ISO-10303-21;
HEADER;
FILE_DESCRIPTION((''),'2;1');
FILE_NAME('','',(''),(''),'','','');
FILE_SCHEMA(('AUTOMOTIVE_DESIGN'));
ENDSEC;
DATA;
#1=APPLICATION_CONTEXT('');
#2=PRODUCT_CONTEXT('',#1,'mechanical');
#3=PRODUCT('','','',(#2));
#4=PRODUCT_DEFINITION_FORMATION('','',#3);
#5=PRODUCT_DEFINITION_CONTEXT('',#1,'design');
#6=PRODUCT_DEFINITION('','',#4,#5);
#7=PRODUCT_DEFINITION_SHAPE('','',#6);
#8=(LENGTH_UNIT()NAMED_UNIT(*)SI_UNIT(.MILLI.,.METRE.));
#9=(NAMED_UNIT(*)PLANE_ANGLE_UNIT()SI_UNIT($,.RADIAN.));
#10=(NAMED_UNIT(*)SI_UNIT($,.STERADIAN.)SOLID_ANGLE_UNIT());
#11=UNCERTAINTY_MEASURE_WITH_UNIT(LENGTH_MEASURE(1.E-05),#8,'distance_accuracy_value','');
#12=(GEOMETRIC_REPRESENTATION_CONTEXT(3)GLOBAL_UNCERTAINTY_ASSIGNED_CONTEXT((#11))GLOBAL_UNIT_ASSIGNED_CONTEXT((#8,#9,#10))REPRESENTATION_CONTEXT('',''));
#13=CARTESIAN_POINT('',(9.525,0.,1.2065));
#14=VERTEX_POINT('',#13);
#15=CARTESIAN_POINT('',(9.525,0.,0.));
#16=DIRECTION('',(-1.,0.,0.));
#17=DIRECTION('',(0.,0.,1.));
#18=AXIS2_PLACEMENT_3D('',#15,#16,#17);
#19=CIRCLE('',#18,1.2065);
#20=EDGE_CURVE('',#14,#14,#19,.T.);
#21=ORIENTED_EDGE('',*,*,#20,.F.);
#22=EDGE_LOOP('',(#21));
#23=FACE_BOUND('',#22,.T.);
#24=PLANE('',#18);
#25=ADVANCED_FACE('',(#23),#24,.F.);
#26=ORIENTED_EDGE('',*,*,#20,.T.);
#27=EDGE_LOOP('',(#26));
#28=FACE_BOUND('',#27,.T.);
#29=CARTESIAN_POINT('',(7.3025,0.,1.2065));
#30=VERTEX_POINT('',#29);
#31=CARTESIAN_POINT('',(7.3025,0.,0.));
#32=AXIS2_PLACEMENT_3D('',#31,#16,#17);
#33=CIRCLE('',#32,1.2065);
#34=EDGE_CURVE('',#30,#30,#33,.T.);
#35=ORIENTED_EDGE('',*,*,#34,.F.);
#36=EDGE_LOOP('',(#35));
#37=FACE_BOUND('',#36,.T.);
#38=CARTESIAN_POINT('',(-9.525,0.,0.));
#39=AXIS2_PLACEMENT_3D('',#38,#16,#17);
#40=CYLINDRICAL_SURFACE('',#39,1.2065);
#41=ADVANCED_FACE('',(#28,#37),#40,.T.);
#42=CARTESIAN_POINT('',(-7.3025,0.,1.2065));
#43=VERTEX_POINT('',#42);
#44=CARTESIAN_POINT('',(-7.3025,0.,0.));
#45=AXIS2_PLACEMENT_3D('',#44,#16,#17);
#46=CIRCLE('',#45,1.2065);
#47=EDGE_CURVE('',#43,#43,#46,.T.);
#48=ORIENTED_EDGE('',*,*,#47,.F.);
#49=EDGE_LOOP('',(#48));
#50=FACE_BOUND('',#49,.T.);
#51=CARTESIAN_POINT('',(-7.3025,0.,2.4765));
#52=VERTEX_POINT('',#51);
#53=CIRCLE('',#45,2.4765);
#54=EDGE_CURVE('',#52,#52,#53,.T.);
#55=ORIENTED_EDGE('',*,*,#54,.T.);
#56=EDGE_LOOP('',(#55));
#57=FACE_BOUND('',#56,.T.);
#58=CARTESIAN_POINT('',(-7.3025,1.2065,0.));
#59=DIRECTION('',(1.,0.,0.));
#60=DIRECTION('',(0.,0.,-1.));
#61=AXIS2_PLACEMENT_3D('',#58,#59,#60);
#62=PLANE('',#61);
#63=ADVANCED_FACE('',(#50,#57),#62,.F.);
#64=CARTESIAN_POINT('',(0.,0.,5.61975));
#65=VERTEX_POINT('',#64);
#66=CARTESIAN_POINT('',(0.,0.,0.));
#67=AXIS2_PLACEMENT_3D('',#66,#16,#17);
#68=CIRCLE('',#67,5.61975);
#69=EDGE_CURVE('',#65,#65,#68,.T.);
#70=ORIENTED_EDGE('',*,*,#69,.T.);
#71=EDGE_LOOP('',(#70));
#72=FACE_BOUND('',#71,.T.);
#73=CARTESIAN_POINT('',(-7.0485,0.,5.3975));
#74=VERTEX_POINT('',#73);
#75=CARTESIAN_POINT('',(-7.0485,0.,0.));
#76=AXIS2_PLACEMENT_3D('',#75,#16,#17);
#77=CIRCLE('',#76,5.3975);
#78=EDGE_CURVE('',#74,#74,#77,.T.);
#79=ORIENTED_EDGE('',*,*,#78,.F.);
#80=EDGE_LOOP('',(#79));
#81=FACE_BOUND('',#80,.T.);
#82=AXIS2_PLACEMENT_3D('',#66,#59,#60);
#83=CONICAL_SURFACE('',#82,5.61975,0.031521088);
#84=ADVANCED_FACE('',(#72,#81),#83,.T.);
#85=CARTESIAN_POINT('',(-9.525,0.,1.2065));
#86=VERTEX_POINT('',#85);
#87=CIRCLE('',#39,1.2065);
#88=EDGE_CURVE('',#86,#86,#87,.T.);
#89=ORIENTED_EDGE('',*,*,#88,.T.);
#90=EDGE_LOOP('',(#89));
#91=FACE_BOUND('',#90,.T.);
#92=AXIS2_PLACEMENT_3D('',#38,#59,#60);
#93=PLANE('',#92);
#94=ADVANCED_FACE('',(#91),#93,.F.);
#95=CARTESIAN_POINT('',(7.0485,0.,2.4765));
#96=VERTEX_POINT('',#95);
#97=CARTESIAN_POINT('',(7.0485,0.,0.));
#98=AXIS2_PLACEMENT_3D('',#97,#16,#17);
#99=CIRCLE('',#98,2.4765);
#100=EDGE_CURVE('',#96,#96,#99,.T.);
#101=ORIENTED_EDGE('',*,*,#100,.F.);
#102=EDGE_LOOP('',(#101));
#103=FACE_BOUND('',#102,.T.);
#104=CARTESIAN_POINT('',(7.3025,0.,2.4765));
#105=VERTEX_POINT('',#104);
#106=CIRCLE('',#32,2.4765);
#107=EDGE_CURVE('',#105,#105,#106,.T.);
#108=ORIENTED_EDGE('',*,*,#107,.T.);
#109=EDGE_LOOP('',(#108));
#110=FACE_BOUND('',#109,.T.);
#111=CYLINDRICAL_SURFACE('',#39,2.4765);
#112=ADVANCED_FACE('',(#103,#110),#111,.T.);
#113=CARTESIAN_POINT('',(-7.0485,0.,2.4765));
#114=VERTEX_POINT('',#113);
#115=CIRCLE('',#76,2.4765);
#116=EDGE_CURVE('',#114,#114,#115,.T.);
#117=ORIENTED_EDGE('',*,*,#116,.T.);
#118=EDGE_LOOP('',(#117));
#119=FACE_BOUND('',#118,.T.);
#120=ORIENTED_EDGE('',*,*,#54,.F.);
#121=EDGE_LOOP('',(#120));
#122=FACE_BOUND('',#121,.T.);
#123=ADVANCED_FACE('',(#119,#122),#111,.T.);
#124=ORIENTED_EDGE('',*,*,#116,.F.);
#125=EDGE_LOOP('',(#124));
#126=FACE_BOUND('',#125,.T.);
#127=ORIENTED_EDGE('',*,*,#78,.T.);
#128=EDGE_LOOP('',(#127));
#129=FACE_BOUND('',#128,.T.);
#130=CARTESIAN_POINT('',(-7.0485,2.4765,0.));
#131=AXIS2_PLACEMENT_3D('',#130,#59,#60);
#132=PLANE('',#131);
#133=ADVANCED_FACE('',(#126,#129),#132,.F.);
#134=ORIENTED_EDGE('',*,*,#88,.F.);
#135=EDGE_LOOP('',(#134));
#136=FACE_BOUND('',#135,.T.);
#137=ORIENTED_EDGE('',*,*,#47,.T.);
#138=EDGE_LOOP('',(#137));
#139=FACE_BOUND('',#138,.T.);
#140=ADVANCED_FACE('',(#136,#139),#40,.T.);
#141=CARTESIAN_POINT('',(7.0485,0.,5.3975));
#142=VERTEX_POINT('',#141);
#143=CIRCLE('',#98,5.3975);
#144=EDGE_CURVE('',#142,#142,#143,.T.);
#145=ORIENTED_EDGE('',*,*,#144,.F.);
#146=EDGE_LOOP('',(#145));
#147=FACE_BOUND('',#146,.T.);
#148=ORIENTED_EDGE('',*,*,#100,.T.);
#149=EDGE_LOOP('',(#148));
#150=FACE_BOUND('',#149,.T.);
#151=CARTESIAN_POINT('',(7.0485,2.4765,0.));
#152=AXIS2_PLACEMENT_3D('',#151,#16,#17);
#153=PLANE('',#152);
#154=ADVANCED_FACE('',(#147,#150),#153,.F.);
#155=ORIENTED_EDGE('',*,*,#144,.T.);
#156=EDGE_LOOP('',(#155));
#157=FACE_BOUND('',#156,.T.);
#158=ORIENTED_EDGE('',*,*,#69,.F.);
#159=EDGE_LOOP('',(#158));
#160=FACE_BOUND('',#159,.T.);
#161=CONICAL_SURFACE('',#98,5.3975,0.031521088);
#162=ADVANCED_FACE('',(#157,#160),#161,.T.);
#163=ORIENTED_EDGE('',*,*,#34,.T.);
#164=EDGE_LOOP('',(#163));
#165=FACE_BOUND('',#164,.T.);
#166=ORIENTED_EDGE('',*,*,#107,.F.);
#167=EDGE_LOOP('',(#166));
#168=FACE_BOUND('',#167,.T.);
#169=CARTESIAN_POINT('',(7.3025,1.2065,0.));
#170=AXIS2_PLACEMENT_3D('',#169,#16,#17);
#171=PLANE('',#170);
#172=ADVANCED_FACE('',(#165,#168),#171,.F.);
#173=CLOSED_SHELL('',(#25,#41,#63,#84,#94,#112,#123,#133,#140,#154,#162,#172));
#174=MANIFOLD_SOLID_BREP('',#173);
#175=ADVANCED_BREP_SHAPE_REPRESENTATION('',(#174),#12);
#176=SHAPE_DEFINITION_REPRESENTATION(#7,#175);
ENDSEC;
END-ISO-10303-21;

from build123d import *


with BuildPart() as part:
    # Sketch1 → Revolve1 (revolve)
    with BuildSketch(Plane.XY, mode=Mode.PRIVATE) as revolve1_sk:
        Polygon((-9.525, 0), (-9.525, 1.2065), (-7.3025, 1.2065), (-7.3025, 2.4765), (-7.0485, 2.4765), (-7.0485, 5.3975), (0, 5.61975), (7.0485, 5.3975), (7.0485, 2.4765), (7.3025, 2.4765), (7.3025, 1.2065), (9.525, 1.2065), (9.525, 0), align=None)
    revolve(revolve1_sk.sketch.rotate(Axis((-9.525, 0, 0), (1, 0, 0)), 90), axis=Axis((-9.525, 0, 0), (1, 0, 0)))


solid = part.part
